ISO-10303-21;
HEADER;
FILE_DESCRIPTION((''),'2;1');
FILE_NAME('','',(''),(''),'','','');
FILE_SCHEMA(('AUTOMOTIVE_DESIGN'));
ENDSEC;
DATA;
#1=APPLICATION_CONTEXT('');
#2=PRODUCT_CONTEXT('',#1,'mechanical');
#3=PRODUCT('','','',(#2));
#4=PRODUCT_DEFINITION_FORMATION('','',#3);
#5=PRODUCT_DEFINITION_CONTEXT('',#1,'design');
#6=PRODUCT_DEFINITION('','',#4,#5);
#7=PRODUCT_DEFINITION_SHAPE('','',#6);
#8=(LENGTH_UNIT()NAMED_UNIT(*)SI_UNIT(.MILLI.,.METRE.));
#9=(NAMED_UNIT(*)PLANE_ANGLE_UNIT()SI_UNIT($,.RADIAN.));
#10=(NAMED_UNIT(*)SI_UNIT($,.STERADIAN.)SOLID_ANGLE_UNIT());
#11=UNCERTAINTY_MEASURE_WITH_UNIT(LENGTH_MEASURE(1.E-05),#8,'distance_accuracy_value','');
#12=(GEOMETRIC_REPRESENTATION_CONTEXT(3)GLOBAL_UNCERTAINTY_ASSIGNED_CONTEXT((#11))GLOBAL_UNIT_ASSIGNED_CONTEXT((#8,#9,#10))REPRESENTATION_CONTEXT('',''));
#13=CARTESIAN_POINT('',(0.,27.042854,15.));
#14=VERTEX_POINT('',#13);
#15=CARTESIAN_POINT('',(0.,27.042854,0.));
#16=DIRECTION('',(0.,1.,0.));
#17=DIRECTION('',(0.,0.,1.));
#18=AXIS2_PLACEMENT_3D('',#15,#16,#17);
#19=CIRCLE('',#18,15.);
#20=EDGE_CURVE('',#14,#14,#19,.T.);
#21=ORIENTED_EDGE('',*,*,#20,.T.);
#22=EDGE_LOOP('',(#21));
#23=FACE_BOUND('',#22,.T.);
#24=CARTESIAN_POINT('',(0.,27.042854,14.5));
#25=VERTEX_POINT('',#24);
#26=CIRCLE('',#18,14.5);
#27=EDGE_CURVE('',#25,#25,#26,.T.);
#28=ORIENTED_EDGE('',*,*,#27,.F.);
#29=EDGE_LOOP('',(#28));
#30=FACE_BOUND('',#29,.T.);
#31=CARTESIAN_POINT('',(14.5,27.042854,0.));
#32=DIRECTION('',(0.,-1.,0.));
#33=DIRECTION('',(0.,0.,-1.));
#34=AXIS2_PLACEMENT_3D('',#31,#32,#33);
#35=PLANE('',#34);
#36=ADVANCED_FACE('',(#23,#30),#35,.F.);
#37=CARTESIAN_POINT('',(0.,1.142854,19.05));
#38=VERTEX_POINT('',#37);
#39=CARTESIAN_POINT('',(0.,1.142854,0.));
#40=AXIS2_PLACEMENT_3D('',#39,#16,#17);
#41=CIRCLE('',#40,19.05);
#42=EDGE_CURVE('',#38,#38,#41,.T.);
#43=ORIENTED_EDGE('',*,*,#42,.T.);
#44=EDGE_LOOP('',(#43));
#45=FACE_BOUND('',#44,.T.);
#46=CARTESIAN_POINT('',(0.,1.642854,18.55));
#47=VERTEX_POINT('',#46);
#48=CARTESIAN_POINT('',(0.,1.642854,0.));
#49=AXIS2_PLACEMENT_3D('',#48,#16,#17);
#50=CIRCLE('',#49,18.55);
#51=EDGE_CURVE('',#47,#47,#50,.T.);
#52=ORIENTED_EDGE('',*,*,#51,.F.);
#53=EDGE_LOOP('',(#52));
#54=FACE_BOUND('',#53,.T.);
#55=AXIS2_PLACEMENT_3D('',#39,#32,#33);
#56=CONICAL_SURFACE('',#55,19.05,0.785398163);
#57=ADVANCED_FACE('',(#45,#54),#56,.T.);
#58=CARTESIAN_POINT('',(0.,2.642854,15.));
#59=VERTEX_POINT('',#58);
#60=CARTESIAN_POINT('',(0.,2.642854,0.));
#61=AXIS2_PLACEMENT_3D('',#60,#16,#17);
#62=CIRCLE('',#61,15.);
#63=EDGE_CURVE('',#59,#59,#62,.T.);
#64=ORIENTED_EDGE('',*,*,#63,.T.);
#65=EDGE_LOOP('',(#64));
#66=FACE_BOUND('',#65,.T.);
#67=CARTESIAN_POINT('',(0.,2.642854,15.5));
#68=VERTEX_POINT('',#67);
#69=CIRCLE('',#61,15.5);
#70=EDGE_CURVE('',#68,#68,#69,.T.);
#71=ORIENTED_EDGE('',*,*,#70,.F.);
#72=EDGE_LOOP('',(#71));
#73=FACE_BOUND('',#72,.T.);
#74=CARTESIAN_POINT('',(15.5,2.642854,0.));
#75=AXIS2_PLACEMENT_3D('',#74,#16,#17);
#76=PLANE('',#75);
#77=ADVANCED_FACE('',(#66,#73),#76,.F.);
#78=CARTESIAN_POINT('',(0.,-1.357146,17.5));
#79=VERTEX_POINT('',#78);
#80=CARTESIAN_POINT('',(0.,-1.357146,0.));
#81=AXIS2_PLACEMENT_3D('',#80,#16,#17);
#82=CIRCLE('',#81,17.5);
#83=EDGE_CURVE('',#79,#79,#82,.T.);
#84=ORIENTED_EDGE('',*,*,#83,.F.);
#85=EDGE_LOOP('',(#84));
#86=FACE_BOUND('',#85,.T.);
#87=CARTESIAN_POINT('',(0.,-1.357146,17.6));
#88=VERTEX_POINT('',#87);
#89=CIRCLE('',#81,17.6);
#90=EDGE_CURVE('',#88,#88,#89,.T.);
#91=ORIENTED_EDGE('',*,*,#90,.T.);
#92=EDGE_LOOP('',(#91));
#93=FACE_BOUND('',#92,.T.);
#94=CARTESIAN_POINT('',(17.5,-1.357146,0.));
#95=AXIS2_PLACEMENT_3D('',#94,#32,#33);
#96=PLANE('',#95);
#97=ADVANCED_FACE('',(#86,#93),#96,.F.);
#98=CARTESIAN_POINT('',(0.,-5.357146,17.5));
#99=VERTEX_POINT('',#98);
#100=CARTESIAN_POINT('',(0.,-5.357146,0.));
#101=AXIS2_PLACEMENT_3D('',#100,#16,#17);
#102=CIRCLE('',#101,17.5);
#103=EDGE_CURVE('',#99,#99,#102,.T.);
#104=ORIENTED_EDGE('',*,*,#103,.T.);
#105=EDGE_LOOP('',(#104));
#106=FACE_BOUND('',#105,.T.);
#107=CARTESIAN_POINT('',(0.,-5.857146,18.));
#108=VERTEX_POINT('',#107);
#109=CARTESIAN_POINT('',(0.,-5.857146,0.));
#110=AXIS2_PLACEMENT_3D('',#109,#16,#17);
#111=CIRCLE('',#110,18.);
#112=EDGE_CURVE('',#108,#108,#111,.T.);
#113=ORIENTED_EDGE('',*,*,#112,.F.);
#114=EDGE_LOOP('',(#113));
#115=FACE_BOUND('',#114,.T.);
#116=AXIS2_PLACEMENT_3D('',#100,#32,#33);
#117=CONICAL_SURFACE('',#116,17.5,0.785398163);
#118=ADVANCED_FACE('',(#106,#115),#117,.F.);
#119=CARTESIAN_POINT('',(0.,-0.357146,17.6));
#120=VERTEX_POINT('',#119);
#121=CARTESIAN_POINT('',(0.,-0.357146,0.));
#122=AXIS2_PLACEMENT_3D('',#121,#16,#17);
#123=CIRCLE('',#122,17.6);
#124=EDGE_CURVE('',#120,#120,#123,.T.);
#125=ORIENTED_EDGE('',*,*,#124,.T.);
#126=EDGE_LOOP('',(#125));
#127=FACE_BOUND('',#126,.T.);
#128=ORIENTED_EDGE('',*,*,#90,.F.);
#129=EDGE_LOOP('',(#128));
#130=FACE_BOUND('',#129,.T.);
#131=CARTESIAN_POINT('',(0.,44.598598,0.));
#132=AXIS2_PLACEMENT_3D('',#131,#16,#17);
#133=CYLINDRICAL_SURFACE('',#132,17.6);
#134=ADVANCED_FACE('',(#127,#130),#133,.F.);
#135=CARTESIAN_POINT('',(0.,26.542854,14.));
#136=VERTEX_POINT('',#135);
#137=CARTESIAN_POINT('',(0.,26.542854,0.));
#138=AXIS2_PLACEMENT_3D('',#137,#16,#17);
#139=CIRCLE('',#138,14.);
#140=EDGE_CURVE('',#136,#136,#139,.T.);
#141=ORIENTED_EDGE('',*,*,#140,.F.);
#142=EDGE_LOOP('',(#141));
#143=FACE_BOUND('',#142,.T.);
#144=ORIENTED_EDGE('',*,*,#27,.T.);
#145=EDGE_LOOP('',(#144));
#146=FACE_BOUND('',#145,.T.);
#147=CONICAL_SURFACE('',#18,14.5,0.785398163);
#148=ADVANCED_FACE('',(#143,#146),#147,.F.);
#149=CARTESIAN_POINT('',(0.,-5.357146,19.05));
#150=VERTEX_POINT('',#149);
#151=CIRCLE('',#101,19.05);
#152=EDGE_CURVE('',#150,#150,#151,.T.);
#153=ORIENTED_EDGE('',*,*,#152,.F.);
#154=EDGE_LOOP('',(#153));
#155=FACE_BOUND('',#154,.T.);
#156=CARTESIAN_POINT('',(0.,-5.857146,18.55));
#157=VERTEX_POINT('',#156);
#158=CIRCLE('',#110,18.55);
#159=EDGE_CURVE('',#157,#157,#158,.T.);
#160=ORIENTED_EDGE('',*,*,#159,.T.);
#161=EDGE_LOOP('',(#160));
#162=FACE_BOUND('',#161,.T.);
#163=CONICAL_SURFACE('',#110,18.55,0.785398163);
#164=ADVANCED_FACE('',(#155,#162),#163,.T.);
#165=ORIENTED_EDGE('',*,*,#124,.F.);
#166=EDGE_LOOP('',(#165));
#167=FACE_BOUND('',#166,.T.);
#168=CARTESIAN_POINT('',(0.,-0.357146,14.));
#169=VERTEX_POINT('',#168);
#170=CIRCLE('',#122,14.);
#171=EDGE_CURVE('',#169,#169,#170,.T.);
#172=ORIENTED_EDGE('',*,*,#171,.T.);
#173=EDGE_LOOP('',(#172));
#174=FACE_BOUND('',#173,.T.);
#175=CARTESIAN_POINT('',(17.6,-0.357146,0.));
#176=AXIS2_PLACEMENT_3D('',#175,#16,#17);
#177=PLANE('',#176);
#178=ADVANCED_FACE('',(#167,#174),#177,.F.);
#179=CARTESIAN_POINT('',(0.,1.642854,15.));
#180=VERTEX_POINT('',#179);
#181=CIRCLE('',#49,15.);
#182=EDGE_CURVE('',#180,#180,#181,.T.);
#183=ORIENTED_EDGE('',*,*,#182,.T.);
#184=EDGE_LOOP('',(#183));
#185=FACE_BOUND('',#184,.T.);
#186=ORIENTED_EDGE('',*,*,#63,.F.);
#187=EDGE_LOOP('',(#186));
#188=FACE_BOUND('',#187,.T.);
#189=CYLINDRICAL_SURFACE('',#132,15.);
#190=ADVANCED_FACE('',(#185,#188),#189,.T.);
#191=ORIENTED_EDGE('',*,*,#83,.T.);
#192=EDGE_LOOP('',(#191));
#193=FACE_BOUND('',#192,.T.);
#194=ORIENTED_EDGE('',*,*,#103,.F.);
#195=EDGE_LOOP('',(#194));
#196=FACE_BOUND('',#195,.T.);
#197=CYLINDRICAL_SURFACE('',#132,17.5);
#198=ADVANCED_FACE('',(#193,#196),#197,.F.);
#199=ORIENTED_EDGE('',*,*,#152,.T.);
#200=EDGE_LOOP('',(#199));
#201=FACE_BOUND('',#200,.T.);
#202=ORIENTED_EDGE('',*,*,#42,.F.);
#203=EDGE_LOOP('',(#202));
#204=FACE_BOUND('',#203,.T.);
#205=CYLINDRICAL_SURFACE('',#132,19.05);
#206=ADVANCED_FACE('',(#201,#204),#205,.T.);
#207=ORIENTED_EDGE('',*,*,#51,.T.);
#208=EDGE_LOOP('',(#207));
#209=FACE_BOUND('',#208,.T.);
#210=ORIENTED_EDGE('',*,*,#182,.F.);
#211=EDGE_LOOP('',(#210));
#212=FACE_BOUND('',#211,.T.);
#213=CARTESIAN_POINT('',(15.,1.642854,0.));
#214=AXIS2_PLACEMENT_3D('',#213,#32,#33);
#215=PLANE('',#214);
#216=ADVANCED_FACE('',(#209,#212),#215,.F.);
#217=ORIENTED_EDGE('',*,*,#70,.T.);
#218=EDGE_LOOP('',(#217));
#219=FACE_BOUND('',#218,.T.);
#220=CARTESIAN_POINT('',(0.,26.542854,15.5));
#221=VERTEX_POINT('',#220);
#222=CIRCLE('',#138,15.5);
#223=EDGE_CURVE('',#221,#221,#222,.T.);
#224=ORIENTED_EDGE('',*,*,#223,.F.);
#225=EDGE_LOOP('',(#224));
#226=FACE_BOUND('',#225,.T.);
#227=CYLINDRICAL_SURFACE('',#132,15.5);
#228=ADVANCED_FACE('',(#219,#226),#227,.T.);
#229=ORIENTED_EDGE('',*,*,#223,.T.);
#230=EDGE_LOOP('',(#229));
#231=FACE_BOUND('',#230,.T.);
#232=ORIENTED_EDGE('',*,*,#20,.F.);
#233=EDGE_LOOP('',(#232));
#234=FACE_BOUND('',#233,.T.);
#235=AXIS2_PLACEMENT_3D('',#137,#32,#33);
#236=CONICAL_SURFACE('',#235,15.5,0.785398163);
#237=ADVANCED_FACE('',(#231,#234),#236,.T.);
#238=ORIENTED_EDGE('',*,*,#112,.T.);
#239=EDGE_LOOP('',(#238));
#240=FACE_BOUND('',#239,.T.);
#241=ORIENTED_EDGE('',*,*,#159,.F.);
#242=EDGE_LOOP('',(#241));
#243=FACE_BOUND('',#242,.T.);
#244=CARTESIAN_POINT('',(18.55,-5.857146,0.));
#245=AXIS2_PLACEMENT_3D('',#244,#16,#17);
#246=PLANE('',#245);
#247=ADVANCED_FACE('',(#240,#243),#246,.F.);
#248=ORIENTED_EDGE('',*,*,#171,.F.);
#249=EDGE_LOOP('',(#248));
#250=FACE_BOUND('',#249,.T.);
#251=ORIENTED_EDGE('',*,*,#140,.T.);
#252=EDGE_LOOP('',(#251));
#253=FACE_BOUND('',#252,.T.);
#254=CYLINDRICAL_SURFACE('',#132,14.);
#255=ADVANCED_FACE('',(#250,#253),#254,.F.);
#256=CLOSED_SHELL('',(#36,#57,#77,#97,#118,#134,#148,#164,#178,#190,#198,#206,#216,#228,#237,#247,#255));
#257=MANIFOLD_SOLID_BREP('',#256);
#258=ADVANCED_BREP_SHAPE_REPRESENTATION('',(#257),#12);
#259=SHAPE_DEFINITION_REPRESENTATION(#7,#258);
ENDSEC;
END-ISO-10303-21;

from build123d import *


with BuildPart() as part:
    # 草图1 → 旋转2 (revolve)
    with BuildSketch(Plane.XY, mode=Mode.PRIVATE) as revolve_2_sk:
        Polygon((14.5, 27.042854175), (15, 27.042854175), (15.5, 26.542854175), (15.5, 2.642854175), (15, 2.642854175), (15, 1.642854175), (18.55, 1.642854175), (19.05, 1.142854175), (19.05, -5.357145825), (18.55, -5.857145825), (18, -5.857145825), (17.5, -5.357145825), (17.5, -1.357145825), (17.6, -1.357145825), (17.6, -0.357145825), (14, -0.357145825), (14, 26.542854175), align=None)
    revolve(revolve_2_sk.sketch.rotate(Axis((0, 44.598597745, 0), (0, -1, 0)), 90), axis=Axis((0, 44.598597745, 0), (0, -1, 0)))  # turned: the seam where the file's is


solid = part.part
